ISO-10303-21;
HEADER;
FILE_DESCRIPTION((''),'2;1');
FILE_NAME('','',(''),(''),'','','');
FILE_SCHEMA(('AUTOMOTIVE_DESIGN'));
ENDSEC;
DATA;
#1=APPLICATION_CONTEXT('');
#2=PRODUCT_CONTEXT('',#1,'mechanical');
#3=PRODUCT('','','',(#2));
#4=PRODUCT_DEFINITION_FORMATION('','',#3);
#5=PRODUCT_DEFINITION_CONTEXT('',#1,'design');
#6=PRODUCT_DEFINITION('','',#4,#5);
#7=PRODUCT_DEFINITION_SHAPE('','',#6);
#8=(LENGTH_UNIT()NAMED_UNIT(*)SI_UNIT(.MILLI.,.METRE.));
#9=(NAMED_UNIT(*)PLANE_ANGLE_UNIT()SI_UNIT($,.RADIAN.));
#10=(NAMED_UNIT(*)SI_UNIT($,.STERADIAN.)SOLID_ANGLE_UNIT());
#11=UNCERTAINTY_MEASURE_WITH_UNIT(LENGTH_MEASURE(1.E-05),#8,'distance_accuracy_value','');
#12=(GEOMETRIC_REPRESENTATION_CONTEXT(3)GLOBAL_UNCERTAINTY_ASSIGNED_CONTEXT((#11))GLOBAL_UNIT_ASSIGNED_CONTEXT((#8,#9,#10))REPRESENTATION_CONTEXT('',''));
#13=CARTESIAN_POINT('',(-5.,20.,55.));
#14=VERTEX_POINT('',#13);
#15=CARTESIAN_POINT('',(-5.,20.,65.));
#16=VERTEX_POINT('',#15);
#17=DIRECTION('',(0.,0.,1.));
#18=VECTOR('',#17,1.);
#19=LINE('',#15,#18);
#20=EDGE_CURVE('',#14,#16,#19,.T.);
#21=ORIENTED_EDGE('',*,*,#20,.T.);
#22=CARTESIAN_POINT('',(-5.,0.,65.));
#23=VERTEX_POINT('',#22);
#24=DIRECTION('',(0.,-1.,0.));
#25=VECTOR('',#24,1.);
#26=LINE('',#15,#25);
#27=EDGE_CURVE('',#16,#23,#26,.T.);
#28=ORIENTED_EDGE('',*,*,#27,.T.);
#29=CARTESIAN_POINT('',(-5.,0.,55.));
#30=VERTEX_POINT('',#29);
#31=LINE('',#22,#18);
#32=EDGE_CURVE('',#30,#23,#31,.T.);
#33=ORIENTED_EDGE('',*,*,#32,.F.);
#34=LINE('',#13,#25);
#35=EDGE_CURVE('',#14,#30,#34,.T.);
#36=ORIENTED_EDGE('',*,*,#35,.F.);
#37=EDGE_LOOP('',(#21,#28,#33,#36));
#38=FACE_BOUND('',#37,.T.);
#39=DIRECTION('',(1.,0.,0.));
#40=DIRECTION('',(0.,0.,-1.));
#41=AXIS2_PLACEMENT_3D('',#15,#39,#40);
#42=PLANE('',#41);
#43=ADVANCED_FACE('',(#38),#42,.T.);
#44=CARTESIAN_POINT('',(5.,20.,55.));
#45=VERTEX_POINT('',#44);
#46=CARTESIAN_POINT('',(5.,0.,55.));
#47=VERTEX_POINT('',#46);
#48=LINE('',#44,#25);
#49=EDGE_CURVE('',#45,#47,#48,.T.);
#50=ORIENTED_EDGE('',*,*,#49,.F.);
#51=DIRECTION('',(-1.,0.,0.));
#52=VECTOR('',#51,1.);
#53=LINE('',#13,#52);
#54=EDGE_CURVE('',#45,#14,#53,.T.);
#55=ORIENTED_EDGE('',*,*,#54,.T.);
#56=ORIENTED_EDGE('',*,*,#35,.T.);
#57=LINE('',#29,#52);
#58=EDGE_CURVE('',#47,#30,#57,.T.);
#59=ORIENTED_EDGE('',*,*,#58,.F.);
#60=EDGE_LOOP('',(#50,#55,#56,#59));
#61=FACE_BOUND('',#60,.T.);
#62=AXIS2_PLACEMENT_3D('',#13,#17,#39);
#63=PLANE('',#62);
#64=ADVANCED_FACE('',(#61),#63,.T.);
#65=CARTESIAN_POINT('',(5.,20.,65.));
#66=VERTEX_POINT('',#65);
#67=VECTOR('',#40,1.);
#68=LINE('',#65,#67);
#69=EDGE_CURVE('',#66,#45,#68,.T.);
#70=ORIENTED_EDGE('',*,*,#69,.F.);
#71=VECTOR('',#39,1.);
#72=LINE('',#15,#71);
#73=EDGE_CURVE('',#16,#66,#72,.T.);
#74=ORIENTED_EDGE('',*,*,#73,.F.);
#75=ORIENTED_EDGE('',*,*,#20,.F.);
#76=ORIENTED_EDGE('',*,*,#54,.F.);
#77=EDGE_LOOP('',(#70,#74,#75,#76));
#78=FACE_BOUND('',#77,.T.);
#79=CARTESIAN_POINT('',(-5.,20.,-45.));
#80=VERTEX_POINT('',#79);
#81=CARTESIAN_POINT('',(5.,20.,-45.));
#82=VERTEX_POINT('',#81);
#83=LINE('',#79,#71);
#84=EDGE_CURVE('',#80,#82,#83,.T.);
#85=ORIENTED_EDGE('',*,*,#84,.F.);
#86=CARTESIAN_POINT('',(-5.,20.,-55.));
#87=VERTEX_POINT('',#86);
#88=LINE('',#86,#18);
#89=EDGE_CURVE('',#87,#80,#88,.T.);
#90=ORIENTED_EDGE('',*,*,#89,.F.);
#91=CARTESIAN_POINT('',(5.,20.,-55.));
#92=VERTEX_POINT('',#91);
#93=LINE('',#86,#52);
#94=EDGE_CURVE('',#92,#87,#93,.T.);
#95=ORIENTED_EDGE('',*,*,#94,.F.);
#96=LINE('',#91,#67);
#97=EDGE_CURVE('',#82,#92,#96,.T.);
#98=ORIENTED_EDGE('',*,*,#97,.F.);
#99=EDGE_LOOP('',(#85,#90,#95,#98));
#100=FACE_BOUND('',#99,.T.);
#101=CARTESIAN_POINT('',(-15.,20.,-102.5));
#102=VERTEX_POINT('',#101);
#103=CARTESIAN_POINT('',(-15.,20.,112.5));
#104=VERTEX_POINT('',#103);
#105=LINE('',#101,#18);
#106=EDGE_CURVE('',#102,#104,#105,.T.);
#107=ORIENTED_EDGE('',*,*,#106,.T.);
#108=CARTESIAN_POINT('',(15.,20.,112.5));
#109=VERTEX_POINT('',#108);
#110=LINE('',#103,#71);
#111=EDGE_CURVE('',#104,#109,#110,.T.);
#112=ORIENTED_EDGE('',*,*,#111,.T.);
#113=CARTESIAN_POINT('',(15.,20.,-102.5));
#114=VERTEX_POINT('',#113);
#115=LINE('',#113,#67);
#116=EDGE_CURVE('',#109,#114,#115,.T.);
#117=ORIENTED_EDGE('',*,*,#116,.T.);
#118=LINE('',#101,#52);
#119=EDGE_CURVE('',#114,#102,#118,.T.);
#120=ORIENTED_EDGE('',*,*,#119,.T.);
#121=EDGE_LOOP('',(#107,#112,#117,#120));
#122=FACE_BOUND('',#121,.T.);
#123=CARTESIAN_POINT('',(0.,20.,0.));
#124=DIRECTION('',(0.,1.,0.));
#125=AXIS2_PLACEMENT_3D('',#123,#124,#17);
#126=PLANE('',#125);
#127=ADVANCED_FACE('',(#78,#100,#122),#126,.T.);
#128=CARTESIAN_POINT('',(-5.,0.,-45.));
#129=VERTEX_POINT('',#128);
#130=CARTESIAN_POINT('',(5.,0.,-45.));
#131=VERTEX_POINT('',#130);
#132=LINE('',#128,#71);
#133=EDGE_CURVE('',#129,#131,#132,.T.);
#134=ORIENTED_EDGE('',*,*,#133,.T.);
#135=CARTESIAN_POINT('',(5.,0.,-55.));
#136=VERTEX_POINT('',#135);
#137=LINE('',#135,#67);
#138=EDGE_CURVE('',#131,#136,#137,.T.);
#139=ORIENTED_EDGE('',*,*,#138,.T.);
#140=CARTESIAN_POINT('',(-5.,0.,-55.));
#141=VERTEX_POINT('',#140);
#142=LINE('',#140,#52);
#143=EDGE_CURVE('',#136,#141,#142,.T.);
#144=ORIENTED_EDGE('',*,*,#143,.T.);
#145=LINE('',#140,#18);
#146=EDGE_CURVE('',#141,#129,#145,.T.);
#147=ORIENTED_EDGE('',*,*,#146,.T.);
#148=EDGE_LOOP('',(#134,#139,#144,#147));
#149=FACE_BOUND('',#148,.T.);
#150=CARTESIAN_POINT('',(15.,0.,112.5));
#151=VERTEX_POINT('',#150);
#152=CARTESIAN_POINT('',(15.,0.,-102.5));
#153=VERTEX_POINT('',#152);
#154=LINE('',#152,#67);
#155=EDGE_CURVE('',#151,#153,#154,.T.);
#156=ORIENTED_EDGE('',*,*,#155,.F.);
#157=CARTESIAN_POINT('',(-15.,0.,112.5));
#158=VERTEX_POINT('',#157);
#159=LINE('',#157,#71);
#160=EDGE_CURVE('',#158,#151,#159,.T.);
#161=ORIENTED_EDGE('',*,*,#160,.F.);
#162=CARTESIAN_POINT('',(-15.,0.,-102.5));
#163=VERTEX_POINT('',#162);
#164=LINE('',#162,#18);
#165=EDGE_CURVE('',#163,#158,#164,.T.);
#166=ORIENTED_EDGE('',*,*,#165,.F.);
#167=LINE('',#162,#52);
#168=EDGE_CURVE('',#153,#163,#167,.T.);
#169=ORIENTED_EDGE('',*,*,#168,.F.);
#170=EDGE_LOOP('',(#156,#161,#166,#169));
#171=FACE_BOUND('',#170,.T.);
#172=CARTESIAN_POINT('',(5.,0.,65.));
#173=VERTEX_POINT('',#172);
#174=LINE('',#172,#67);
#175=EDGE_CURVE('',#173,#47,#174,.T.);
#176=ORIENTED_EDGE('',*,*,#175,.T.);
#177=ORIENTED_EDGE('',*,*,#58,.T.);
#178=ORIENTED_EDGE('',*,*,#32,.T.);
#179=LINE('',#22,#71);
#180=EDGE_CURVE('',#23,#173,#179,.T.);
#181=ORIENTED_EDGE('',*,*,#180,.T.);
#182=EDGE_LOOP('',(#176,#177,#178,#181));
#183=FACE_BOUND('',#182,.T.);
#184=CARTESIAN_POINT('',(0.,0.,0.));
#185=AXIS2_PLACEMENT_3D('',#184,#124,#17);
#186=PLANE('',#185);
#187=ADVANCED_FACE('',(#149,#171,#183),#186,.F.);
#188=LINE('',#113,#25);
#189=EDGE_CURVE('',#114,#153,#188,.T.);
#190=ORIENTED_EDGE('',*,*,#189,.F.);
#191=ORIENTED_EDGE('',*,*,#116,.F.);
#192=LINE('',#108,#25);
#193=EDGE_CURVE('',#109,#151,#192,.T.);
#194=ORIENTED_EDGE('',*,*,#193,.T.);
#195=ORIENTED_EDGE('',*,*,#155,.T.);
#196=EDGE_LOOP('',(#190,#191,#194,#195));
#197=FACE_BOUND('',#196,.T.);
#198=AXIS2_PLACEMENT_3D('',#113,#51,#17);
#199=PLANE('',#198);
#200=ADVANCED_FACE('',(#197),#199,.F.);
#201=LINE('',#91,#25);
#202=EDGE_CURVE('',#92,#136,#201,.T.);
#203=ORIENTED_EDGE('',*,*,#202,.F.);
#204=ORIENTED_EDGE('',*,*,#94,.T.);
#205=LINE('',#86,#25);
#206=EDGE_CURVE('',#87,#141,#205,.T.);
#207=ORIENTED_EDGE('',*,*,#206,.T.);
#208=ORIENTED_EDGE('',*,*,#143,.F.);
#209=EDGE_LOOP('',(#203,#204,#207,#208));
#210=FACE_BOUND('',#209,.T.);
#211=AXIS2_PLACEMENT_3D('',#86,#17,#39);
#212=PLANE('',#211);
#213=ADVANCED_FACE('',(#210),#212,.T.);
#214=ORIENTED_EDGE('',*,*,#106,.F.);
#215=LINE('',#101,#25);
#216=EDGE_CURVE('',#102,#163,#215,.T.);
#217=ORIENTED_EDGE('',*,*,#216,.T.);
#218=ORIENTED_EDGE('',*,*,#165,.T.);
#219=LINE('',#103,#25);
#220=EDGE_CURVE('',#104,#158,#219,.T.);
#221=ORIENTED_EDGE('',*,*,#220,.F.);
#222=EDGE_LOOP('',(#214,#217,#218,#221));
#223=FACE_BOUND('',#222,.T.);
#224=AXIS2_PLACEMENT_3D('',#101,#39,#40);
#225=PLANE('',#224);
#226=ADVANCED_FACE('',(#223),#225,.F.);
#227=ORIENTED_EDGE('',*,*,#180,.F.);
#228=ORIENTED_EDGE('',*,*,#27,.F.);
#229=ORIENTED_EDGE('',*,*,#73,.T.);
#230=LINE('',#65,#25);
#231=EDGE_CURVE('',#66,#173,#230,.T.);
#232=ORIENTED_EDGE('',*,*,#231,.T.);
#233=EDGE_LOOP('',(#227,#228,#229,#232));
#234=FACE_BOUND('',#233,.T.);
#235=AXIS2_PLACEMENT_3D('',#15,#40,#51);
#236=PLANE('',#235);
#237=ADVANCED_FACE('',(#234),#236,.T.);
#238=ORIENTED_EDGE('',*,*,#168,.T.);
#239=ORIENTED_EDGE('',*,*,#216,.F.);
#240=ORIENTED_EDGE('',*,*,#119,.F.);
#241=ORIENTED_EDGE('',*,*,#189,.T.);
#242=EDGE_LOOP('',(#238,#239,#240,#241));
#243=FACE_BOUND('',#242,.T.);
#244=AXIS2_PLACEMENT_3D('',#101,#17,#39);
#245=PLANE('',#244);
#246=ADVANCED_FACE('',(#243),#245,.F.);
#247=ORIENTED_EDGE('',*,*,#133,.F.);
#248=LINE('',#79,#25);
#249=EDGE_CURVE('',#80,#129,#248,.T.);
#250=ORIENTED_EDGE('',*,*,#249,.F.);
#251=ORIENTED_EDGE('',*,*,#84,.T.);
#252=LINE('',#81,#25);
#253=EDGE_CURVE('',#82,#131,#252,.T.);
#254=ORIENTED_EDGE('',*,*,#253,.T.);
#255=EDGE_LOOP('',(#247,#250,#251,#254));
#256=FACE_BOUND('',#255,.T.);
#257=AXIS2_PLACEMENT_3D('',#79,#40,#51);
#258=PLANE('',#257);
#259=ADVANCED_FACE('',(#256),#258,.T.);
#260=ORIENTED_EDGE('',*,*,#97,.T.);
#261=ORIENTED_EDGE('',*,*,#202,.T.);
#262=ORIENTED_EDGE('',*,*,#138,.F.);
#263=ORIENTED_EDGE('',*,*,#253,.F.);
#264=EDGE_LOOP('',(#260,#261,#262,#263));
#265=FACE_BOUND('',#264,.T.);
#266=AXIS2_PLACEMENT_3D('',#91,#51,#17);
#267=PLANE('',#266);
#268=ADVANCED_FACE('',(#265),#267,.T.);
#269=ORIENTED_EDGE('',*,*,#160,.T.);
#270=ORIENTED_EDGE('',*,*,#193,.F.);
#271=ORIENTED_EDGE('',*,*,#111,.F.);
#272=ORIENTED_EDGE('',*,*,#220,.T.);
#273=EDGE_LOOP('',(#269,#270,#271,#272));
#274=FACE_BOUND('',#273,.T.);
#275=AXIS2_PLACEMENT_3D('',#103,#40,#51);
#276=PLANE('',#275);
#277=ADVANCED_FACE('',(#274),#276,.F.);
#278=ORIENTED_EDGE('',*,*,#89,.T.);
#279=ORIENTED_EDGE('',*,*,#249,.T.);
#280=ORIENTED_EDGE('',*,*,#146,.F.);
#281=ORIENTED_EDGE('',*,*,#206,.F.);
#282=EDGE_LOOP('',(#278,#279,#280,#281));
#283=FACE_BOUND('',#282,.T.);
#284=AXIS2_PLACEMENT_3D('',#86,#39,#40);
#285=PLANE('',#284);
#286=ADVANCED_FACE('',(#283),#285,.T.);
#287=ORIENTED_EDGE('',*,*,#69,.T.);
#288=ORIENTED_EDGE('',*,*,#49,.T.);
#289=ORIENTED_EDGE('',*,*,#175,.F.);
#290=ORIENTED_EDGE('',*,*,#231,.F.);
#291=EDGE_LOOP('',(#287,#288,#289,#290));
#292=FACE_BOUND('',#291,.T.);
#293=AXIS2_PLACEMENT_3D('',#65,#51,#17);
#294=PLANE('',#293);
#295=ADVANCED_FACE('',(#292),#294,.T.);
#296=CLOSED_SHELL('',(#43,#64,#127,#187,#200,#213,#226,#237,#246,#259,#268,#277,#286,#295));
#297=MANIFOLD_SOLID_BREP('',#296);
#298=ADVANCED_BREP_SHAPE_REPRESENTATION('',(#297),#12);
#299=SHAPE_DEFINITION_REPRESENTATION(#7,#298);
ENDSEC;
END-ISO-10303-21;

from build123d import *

# Parameters (mm, degrees)
SKETCH1_W           = 30
SKETCH1_H           = 215
SKETCH1_W_2         = 10
SKETCH1_H_2         = 10
BOSS_EXTRUDE1_DEPTH = 20


with BuildPart() as part:
    # Sketch1 → Boss-Extrude1 (new body)
    with BuildSketch(Plane(origin=(0, 0, 0), x_dir=(1, 0, 0), z_dir=(0, 1, 0))):
        with Locations((0, -5)):
            Rectangle(SKETCH1_W, SKETCH1_H)
        with Locations((0, 50)):
            Rectangle(SKETCH1_W_2, SKETCH1_H_2, mode=Mode.SUBTRACT)
        with Locations((0, -60)):
            Rectangle(SKETCH1_W_2, SKETCH1_H_2, mode=Mode.SUBTRACT)
    extrude(amount=BOSS_EXTRUDE1_DEPTH)


solid = part.part
